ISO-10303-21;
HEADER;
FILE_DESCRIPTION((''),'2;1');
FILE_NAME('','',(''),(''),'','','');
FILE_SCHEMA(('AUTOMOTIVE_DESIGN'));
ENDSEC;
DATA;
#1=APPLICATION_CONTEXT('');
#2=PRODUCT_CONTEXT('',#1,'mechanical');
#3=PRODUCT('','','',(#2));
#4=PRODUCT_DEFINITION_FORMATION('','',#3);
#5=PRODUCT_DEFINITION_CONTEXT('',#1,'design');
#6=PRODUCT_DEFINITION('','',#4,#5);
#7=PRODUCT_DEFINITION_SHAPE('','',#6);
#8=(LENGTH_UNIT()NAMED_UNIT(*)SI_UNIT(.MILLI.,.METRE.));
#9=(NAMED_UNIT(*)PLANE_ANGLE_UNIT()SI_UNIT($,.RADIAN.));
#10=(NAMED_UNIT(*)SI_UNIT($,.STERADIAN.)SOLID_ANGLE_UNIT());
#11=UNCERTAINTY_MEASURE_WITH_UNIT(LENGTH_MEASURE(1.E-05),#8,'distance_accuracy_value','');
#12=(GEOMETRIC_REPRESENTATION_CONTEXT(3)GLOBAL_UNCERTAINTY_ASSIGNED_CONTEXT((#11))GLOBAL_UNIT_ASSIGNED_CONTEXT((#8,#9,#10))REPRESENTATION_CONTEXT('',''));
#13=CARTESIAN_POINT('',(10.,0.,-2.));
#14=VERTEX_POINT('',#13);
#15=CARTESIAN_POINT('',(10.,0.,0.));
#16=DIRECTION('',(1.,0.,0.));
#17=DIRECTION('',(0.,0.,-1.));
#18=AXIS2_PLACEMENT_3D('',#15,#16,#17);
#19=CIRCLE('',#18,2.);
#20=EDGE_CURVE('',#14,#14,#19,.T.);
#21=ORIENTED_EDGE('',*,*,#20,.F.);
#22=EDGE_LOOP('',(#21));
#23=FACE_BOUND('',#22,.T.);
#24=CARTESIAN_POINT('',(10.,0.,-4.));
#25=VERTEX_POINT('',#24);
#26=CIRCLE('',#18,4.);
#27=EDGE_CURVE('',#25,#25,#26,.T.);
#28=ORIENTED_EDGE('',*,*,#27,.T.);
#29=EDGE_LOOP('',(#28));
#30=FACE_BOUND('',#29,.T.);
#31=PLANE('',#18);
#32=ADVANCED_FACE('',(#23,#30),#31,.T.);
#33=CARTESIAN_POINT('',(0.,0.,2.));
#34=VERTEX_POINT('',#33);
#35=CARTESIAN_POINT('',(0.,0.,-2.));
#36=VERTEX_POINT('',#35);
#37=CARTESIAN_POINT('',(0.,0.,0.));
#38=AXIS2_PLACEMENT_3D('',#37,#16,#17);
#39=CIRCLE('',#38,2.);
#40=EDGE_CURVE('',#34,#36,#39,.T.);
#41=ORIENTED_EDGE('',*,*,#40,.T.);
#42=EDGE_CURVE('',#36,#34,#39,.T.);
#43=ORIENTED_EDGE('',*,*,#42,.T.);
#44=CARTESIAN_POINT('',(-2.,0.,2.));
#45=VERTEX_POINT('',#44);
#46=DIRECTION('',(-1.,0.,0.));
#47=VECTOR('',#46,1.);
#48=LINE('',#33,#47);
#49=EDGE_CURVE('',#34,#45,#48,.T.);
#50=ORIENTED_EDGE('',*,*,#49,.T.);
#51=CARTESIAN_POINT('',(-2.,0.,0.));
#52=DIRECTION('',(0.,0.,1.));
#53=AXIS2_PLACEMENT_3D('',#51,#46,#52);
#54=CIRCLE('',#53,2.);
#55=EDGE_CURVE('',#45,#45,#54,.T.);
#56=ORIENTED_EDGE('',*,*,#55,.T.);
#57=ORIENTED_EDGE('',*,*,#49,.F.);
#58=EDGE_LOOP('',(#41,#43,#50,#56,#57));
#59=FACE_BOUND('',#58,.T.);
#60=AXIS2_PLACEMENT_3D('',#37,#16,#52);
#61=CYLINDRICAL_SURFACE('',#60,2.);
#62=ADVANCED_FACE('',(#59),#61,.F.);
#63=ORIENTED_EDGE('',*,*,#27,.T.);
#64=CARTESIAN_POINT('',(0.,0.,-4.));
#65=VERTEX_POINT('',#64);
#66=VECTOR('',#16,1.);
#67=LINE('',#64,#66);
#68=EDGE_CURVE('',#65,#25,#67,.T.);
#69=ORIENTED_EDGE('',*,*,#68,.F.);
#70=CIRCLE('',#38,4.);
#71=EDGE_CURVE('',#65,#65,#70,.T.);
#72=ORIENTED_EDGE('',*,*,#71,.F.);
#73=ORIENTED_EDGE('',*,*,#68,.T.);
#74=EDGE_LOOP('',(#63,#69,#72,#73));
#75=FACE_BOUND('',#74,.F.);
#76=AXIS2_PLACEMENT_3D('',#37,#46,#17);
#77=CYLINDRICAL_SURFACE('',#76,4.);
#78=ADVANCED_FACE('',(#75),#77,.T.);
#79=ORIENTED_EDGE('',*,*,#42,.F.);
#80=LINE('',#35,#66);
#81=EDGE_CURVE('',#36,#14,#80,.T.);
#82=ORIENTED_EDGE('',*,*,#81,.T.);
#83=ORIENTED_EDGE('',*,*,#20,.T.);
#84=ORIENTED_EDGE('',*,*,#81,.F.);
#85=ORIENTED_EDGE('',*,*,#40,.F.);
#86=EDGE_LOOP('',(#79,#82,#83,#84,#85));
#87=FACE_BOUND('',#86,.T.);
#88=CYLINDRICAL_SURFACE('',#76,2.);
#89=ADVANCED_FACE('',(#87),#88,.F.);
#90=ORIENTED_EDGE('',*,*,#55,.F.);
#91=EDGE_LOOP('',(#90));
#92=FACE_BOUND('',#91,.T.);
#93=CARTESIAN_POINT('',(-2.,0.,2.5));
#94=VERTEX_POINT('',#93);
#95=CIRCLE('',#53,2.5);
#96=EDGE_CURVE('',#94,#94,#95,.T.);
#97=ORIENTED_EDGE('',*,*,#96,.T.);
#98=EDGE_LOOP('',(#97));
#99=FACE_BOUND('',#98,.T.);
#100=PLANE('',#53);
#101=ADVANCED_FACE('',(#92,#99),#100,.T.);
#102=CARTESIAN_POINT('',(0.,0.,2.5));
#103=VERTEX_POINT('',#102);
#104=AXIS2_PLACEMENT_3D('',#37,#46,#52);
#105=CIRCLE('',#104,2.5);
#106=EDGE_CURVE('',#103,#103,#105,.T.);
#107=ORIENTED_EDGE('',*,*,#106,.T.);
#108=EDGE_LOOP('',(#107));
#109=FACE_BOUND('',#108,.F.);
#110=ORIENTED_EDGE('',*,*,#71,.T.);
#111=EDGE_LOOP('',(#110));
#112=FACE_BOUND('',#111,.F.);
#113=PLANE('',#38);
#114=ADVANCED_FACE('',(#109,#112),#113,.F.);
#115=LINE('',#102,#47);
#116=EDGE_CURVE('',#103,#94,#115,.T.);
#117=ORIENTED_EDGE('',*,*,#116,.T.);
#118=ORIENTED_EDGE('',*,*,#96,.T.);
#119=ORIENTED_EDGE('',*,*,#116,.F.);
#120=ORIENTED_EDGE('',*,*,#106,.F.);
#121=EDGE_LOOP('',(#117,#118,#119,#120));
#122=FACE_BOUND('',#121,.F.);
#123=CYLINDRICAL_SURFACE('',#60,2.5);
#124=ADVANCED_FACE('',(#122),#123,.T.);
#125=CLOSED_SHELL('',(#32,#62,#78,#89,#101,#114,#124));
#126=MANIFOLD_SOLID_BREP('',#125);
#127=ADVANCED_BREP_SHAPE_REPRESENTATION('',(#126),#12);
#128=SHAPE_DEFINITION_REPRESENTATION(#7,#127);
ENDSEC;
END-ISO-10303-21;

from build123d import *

# Parameters (mm, degrees)
SKETCH1_R           = 4
SKETCH1_R_2         = 2
BOSS_EXTRUDE1_DEPTH = 10
SKETCH2_R           = 2.5
SKETCH2_R_2         = 2
BOSS_EXTRUDE2_DEPTH = 2


with BuildPart() as part:
    # Sketch1 → Boss-Extrude1 (new body)
    with BuildSketch(Plane(origin=(0, 0, 0), x_dir=(0, 0, -1), z_dir=(1, 0, 0))):
        Circle(SKETCH1_R)
        Circle(SKETCH1_R_2, mode=Mode.SUBTRACT)
    extrude(amount=BOSS_EXTRUDE1_DEPTH)

    # Sketch2 → Boss-Extrude2 (add)
    with BuildSketch(Plane.ZY):
        Circle(SKETCH2_R)
        Circle(SKETCH2_R_2, mode=Mode.SUBTRACT)
    extrude(amount=BOSS_EXTRUDE2_DEPTH)


solid = part.part
